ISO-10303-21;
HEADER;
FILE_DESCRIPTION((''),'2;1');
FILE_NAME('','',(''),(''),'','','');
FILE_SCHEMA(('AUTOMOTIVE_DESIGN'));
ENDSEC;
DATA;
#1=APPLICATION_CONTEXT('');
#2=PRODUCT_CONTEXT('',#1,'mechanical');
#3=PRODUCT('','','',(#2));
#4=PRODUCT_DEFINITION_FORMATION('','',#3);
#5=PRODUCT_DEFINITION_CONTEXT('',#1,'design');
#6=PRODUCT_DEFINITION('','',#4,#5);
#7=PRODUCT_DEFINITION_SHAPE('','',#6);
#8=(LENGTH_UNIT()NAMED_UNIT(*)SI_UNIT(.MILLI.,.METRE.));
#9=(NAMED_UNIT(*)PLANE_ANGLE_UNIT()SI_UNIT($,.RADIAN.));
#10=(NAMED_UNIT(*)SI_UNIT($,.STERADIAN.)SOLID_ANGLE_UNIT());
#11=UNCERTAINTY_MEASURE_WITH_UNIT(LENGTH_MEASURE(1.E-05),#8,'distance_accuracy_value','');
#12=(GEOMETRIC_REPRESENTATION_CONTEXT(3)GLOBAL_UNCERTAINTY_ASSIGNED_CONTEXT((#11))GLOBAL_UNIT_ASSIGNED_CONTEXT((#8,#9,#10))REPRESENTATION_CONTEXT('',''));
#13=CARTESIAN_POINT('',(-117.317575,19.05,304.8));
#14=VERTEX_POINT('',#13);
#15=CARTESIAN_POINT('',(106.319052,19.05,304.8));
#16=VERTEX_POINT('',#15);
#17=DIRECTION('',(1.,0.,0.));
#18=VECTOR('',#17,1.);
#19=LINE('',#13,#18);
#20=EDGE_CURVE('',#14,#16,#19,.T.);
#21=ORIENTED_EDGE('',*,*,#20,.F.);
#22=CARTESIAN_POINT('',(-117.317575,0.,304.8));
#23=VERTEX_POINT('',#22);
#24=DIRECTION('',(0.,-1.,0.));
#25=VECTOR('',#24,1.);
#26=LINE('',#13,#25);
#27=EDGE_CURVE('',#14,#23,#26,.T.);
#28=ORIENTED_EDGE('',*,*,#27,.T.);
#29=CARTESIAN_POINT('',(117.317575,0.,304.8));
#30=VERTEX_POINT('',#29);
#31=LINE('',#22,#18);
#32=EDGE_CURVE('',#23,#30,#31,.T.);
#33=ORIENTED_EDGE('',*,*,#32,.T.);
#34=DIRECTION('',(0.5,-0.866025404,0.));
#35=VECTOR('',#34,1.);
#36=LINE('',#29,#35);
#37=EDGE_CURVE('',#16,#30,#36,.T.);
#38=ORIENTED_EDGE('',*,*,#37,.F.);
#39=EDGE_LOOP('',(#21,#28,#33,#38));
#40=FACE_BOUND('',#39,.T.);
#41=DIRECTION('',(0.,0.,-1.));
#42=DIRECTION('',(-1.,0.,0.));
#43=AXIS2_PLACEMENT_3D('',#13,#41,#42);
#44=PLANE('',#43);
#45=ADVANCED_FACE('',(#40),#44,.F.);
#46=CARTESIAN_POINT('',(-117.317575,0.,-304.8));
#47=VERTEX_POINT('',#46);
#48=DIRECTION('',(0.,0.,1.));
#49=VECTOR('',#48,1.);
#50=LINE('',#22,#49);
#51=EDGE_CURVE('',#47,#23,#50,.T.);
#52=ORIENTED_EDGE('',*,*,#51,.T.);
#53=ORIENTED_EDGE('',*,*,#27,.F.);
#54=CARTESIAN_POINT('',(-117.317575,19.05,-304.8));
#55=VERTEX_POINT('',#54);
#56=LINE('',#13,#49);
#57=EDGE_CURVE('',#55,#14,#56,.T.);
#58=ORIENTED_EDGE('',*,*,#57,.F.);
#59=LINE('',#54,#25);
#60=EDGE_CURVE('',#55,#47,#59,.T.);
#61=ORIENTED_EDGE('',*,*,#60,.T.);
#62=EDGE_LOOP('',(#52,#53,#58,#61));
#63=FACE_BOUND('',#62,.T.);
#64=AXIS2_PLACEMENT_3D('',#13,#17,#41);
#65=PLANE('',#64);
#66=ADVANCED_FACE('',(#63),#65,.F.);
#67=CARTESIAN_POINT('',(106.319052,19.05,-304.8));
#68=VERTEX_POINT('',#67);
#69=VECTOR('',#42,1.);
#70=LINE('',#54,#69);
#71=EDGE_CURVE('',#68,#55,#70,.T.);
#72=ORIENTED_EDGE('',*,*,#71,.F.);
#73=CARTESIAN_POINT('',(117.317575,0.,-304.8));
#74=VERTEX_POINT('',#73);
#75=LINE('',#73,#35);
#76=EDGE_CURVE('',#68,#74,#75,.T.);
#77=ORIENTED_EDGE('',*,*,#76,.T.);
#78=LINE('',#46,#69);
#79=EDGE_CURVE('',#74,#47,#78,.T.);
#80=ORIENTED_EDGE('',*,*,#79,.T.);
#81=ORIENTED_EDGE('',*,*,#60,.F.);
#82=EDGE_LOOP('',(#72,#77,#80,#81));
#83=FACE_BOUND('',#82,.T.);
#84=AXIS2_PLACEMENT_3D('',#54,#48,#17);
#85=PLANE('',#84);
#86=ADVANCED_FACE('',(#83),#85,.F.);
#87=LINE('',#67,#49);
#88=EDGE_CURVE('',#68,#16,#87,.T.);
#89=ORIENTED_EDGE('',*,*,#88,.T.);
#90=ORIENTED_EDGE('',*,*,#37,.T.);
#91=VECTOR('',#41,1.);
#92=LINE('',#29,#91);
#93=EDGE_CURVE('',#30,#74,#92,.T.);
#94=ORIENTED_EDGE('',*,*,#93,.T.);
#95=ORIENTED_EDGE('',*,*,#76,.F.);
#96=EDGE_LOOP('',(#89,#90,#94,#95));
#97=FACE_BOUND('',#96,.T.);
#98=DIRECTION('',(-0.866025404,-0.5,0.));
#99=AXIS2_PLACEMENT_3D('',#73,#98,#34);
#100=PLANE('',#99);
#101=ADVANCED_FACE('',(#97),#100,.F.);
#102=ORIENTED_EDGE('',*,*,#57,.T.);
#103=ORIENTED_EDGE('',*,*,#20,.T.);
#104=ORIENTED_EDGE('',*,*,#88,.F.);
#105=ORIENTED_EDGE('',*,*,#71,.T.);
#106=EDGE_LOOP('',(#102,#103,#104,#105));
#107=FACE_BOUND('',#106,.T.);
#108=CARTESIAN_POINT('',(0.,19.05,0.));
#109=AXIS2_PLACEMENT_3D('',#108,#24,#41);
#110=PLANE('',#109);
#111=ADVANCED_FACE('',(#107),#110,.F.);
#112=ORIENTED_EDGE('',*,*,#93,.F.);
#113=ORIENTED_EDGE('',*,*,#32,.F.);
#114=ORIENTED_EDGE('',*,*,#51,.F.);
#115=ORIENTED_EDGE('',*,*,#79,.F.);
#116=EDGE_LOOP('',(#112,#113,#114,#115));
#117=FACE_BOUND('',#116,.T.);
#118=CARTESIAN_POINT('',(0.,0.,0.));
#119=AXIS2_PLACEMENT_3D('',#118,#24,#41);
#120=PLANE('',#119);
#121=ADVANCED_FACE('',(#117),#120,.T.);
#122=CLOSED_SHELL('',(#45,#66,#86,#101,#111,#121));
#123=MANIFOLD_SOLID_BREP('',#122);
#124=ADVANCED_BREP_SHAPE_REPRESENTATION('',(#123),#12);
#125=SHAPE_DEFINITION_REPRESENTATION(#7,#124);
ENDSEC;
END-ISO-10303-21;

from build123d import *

# Parameters (mm, degrees)
SKETCH1_W           = 234.635149398
SKETCH1_H           = 609.6
BOSS_EXTRUDE1_DEPTH = 19.05
CUT_EXTRUDE1_DEPTH  = 622.078477999


with BuildPart() as part:
    # Sketch1 → Boss-Extrude1 (new body)
    with BuildSketch(Plane(origin=(0, 0, 0), x_dir=(1, 0, 0), z_dir=(0, 1, 0))):
        Rectangle(SKETCH1_W, SKETCH1_H)
    extrude(amount=BOSS_EXTRUDE1_DEPTH)

    # Sketch2 → Cut-Extrude1 (cut, through all)
    with BuildSketch(Plane.XY.offset(304.8)):
        Polygon((117.317574699, 19.05), (117.317574699, 0), (106.319052071, 19.05), align=None)
    extrude(amount=-CUT_EXTRUDE1_DEPTH, mode=Mode.SUBTRACT)


solid = part.part
